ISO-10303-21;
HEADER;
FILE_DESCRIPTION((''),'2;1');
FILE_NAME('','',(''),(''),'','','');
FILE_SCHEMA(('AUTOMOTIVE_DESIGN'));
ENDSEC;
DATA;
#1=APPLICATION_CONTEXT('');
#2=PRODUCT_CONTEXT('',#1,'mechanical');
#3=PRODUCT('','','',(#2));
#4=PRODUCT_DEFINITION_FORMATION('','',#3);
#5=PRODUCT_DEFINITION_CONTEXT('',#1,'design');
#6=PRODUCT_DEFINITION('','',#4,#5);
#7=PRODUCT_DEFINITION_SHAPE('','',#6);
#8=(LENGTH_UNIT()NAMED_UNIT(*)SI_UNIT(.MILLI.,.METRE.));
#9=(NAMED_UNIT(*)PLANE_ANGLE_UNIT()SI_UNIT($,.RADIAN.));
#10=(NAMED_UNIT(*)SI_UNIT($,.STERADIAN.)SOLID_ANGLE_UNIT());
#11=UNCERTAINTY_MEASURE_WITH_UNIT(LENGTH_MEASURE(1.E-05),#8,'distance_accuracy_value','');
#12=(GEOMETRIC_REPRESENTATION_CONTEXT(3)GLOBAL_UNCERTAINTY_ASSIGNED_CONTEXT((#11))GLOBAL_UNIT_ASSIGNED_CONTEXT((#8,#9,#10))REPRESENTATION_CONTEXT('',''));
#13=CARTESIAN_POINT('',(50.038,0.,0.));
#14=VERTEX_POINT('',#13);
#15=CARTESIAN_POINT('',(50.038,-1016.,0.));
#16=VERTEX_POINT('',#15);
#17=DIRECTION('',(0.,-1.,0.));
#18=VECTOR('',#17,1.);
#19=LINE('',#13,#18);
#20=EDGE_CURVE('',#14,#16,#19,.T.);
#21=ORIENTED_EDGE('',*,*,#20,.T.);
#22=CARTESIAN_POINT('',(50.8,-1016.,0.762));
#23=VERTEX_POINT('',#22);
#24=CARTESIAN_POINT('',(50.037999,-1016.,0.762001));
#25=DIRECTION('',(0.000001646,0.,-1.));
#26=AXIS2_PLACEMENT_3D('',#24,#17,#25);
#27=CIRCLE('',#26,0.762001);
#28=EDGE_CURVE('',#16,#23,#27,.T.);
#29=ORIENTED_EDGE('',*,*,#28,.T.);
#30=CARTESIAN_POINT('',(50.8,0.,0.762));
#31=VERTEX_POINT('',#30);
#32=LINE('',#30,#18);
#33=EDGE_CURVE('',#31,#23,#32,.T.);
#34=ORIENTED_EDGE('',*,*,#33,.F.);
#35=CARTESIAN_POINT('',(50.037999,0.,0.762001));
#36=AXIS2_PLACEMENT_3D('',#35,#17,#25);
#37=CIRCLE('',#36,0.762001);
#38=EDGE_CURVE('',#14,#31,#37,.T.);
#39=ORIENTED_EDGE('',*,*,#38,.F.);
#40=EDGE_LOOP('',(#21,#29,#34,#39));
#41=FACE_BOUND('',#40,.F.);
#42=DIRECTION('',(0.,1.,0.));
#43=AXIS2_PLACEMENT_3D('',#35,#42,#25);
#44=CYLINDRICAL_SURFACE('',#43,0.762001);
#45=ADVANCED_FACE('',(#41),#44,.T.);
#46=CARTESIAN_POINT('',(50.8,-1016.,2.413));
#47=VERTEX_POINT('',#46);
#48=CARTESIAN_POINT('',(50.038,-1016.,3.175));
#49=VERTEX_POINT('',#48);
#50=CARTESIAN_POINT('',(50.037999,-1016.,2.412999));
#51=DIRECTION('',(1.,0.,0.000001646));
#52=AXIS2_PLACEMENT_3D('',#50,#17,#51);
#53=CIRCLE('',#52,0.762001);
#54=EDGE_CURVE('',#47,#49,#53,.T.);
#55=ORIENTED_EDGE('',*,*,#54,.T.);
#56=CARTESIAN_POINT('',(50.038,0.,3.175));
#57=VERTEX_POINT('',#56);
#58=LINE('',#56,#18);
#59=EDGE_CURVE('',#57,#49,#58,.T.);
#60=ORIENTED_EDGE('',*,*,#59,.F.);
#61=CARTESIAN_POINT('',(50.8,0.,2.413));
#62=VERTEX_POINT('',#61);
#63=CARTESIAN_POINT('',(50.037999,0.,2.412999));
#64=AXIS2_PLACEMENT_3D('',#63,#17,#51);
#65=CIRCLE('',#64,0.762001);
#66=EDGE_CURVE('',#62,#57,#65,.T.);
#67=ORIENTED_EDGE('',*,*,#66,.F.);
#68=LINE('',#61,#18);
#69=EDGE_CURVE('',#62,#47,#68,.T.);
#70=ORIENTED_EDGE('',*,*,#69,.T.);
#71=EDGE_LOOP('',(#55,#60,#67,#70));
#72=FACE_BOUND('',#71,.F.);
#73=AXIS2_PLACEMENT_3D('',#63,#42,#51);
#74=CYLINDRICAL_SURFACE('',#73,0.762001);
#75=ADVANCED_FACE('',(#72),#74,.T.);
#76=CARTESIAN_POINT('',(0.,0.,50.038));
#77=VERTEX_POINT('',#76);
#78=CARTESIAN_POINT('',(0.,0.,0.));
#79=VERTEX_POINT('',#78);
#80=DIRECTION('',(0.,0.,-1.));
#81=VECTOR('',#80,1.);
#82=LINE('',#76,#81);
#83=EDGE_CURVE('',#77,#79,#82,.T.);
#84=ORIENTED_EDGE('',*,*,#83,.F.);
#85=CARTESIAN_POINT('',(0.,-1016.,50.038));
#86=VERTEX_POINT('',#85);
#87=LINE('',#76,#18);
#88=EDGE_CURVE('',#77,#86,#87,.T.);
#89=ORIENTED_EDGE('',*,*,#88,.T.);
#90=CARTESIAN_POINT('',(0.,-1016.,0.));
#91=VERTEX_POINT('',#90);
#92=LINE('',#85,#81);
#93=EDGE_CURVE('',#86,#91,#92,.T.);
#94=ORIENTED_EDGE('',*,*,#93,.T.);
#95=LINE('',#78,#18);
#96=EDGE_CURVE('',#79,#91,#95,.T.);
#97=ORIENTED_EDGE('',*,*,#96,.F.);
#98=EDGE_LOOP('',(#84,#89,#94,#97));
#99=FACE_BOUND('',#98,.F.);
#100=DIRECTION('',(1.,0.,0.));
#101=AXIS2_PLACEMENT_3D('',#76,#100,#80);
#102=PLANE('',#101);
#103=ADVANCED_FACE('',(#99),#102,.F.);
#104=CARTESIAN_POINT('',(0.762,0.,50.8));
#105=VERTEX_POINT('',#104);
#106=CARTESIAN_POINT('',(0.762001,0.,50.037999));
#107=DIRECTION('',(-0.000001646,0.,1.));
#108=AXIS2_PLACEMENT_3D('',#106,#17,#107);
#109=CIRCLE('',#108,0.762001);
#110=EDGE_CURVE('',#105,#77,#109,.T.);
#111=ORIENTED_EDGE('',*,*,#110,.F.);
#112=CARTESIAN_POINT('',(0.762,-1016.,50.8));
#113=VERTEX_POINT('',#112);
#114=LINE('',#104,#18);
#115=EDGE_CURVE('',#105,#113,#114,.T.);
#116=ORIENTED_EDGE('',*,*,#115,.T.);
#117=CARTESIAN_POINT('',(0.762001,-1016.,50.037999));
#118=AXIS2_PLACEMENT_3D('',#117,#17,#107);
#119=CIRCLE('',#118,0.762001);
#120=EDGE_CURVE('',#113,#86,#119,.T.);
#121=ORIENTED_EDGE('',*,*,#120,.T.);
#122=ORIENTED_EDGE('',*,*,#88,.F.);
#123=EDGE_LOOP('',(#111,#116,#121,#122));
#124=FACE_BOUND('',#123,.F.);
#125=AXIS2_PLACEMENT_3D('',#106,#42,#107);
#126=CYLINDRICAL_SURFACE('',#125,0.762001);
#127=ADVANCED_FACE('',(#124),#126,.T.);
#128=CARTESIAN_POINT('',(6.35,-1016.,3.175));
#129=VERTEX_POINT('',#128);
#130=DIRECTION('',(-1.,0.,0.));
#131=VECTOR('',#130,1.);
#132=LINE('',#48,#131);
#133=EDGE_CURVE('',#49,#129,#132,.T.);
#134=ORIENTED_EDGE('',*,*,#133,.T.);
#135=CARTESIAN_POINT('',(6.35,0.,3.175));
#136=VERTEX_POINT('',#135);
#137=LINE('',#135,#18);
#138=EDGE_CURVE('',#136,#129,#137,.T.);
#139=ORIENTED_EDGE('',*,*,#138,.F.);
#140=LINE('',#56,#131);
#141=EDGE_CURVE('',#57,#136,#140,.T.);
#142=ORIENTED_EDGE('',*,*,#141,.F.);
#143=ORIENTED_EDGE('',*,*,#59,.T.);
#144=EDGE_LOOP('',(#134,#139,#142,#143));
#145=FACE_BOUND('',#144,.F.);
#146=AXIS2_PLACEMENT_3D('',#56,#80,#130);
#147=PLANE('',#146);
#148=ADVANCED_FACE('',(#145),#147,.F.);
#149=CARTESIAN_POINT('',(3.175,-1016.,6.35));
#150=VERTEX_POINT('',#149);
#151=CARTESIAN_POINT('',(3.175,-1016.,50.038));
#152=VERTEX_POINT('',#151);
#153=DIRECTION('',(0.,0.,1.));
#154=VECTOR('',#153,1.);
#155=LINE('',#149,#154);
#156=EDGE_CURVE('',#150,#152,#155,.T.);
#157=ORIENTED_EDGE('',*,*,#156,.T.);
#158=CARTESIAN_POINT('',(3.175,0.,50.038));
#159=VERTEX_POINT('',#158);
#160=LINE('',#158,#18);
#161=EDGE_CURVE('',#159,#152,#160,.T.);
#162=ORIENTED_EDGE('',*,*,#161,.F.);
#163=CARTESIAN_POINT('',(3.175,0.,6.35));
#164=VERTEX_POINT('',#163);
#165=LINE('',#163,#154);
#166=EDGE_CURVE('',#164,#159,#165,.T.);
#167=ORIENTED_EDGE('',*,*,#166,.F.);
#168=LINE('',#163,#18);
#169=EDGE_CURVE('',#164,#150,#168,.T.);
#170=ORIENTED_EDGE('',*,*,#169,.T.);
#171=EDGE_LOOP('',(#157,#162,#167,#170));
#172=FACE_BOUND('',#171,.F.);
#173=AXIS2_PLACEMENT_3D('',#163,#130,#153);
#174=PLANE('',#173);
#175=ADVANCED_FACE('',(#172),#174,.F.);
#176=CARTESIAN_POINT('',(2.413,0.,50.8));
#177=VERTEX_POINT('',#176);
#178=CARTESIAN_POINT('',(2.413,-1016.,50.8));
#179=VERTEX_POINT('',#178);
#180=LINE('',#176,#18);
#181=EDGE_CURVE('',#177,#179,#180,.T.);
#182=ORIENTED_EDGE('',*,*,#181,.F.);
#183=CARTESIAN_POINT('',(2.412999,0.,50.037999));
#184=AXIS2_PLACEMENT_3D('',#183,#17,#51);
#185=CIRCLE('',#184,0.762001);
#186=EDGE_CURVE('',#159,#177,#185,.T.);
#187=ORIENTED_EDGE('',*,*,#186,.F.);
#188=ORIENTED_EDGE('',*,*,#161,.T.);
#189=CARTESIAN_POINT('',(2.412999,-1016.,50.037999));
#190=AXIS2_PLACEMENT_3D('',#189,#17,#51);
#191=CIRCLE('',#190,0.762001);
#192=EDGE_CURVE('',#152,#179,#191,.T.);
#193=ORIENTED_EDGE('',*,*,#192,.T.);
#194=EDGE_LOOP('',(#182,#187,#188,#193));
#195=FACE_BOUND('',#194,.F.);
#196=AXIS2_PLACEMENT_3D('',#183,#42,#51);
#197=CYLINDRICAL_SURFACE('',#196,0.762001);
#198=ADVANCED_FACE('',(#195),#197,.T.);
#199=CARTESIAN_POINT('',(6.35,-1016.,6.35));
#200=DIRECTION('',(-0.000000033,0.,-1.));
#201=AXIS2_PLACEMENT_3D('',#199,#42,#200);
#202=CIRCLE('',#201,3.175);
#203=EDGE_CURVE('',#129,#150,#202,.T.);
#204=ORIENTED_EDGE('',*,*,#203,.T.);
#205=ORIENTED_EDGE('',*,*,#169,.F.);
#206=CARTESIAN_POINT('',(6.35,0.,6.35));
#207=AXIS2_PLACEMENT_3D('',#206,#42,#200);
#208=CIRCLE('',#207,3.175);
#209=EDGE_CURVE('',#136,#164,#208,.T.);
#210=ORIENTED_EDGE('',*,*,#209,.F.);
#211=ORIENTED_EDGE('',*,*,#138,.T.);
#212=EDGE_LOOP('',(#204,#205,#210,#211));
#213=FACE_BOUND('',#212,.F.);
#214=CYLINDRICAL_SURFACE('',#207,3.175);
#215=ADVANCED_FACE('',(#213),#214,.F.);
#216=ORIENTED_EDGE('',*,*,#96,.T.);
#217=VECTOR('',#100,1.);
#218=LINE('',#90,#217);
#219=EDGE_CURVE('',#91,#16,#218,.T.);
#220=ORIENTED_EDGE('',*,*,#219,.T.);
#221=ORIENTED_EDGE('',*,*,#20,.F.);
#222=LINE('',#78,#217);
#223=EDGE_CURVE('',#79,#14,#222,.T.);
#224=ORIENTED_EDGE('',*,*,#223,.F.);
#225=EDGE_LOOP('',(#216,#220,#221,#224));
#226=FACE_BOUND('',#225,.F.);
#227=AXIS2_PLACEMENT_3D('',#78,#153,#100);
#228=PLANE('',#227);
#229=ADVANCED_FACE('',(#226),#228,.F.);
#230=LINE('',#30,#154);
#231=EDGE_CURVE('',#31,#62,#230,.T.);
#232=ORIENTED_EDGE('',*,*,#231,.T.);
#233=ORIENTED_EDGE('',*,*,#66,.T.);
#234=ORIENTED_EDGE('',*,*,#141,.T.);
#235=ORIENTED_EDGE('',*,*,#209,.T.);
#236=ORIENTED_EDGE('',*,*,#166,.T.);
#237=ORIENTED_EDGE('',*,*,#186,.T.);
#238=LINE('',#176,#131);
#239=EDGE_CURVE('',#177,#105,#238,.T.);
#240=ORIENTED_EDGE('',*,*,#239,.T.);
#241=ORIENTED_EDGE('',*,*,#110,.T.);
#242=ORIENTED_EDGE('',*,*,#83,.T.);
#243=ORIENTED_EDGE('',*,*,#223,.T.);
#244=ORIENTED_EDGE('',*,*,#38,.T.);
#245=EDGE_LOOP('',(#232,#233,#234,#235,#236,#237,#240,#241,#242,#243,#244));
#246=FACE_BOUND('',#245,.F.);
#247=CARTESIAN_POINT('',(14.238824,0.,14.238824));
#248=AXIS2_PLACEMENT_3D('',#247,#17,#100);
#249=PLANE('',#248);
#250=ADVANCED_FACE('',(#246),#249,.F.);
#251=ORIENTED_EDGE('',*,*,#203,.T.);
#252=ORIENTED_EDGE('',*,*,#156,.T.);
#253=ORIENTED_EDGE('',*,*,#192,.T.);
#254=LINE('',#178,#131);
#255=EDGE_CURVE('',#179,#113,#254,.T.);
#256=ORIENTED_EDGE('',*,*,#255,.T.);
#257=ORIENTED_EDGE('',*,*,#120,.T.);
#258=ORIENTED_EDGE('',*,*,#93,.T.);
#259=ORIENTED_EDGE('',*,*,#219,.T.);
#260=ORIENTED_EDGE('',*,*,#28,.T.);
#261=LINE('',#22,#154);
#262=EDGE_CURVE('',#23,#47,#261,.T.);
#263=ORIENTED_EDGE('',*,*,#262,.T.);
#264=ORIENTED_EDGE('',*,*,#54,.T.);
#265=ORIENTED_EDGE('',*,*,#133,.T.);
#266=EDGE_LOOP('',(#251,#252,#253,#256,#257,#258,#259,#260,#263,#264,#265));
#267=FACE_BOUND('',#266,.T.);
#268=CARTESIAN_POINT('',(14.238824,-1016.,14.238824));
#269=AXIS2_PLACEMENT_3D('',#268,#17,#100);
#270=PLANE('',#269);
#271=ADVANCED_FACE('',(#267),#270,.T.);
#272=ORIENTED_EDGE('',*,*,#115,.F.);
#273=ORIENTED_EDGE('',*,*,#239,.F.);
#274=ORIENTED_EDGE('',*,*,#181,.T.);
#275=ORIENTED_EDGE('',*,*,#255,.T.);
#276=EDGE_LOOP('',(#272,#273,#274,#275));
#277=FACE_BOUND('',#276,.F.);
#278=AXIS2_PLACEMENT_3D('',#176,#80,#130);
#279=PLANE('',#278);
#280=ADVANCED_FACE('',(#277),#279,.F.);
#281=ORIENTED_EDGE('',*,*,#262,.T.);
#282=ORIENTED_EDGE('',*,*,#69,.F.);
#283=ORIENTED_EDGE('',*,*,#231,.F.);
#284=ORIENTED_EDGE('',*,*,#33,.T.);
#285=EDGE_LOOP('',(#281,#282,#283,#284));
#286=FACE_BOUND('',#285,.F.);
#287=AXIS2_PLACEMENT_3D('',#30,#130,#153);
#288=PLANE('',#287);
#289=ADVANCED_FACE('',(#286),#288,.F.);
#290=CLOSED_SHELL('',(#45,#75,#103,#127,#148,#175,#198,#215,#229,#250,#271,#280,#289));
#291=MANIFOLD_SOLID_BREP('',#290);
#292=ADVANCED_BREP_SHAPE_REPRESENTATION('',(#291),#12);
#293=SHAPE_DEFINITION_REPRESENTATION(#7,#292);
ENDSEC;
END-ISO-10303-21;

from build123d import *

# Parameters (mm, degrees)
F1_DEPTH = 1016


with BuildPart() as f1:
    # F0 (on Front) → F1 (new body)
    with BuildSketch(Plane.XZ):
        with BuildLine():
            Line((0, 50.038), (0, 0))
            Line((0, 0), (50.038, 0))
            ThreePointArc((50.038, 0), (50.576815, 0.223185), (50.8, 0.762))
            Line((50.8, 0.762), (50.8, 2.413))
            ThreePointArc((50.8, 2.413), (50.576815, 2.951815), (50.038, 3.175))
            Line((50.038, 3.175), (6.35, 3.175))
            ThreePointArc((6.35, 3.175), (4.104936, 4.104936), (3.175, 6.35))
            Line((3.175, 6.35), (3.175, 50.038))
            ThreePointArc((3.175, 50.038), (2.951815, 50.576815), (2.413, 50.8))
            Line((2.413, 50.8), (0.762, 50.8))
            ThreePointArc((0.762, 50.8), (0.223185, 50.576815), (0, 50.038))
        make_face()
    extrude(amount=F1_DEPTH)


solid = f1.part
